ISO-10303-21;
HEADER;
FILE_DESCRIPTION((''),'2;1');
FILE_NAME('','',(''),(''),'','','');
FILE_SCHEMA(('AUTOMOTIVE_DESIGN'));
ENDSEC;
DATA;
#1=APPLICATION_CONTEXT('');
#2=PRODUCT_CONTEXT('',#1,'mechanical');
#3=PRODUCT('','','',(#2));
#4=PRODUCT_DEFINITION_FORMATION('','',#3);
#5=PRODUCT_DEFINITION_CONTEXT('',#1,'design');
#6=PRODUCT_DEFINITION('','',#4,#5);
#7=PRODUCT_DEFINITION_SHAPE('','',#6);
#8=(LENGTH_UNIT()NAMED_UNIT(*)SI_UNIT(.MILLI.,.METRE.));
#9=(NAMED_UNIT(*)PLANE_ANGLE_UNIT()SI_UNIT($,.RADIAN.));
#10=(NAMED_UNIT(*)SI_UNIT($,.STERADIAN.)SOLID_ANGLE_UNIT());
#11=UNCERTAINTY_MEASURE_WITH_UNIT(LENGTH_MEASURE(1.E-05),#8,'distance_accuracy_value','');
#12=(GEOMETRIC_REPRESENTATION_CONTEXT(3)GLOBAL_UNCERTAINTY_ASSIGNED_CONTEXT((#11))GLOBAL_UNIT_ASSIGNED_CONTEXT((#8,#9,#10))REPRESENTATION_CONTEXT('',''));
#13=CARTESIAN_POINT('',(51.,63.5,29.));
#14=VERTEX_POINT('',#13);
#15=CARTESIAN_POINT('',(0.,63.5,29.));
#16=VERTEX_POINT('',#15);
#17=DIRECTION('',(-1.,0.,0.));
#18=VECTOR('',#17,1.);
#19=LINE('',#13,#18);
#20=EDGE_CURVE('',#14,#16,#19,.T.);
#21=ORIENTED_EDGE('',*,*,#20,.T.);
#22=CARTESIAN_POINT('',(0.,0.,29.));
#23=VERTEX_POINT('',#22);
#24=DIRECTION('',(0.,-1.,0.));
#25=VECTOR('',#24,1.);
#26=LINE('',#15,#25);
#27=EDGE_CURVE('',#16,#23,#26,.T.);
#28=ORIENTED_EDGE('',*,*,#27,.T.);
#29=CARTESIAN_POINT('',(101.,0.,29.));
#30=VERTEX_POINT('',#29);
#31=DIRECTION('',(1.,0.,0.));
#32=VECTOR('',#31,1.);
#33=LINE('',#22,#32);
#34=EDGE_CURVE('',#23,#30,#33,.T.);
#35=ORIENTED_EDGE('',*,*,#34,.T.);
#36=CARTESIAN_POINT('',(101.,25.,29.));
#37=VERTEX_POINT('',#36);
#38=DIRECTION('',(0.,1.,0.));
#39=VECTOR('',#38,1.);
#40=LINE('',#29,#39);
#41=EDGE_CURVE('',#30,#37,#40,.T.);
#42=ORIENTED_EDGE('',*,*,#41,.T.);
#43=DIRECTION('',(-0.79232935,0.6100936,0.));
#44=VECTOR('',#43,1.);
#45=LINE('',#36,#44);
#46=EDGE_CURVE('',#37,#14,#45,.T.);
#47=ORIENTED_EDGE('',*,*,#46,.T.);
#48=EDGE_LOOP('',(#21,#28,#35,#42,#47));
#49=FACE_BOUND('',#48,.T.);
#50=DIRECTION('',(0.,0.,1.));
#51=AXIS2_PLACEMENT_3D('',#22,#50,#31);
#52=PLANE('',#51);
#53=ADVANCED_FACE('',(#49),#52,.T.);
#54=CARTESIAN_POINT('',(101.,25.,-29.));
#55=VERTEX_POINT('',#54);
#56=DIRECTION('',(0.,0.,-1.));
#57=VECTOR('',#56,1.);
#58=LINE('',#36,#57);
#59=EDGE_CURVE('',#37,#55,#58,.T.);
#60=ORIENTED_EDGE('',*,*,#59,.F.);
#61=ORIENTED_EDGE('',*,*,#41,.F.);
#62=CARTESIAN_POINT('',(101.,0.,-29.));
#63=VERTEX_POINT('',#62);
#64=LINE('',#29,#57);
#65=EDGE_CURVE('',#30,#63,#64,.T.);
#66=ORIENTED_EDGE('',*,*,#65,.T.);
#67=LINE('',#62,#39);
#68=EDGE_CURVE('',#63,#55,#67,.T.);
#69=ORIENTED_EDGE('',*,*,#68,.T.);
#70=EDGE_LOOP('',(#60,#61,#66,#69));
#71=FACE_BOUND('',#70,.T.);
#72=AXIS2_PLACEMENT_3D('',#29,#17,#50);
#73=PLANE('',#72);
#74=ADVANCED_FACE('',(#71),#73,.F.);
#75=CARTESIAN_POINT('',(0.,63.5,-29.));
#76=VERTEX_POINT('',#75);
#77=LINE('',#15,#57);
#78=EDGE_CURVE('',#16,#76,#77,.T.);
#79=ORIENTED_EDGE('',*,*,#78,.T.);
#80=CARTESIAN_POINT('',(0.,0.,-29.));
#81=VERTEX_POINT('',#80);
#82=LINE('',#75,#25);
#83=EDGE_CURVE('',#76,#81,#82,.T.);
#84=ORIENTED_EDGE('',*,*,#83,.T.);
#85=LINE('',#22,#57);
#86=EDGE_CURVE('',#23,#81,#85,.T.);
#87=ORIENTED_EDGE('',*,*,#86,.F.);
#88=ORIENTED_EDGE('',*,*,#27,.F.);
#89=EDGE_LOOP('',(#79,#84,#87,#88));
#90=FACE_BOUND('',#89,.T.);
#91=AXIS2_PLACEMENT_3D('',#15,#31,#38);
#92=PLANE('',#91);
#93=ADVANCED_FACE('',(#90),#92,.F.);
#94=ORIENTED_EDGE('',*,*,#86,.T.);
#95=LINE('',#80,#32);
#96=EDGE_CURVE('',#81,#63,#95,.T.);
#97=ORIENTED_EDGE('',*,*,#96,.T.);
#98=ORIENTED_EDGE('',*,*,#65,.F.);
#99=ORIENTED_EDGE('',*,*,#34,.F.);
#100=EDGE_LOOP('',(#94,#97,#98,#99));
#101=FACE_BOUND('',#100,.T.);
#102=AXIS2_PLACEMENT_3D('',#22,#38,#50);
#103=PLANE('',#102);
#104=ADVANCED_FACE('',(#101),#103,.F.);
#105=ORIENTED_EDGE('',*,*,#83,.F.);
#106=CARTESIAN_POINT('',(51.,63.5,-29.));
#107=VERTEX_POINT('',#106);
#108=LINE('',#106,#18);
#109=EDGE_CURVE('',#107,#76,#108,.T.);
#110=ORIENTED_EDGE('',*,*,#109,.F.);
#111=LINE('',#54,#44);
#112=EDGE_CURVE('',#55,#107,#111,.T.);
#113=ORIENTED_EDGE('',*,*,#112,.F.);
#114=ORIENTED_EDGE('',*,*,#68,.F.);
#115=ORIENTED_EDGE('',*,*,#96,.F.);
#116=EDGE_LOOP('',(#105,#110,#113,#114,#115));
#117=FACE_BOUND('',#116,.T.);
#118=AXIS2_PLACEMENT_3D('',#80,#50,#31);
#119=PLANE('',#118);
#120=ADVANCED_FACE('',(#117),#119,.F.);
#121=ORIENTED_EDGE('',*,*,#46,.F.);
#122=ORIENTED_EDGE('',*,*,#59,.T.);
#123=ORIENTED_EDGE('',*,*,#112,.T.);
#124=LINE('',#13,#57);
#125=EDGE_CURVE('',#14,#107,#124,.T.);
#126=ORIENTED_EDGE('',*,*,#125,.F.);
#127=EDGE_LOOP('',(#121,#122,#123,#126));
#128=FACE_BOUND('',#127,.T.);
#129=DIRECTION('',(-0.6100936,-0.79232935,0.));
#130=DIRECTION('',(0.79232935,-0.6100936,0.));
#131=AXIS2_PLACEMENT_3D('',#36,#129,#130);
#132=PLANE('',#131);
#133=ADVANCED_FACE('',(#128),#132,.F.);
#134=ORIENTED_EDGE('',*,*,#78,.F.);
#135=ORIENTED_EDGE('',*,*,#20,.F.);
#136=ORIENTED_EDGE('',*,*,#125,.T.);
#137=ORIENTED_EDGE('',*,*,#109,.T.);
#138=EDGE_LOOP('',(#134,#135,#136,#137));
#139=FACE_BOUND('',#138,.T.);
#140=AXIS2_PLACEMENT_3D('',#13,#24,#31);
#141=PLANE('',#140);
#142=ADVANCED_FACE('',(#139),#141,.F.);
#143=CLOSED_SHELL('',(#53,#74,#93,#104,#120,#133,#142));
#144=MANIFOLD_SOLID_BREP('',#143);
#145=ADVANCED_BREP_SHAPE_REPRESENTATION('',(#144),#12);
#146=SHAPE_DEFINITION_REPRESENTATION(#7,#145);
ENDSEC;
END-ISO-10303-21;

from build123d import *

# Parameters (mm, degrees)
BOSS_EXTRUDE1_DEPTH = 29


with BuildPart() as part:
    # Sketch1 → Boss-Extrude1 (new, symmetric)
    with BuildSketch(Plane.XY):
        Polygon((0, 0), (101, 0), (101, 25), (51, 63.5), (0, 63.5), align=None)
    extrude(amount=BOSS_EXTRUDE1_DEPTH, both=True)


solid = part.part
